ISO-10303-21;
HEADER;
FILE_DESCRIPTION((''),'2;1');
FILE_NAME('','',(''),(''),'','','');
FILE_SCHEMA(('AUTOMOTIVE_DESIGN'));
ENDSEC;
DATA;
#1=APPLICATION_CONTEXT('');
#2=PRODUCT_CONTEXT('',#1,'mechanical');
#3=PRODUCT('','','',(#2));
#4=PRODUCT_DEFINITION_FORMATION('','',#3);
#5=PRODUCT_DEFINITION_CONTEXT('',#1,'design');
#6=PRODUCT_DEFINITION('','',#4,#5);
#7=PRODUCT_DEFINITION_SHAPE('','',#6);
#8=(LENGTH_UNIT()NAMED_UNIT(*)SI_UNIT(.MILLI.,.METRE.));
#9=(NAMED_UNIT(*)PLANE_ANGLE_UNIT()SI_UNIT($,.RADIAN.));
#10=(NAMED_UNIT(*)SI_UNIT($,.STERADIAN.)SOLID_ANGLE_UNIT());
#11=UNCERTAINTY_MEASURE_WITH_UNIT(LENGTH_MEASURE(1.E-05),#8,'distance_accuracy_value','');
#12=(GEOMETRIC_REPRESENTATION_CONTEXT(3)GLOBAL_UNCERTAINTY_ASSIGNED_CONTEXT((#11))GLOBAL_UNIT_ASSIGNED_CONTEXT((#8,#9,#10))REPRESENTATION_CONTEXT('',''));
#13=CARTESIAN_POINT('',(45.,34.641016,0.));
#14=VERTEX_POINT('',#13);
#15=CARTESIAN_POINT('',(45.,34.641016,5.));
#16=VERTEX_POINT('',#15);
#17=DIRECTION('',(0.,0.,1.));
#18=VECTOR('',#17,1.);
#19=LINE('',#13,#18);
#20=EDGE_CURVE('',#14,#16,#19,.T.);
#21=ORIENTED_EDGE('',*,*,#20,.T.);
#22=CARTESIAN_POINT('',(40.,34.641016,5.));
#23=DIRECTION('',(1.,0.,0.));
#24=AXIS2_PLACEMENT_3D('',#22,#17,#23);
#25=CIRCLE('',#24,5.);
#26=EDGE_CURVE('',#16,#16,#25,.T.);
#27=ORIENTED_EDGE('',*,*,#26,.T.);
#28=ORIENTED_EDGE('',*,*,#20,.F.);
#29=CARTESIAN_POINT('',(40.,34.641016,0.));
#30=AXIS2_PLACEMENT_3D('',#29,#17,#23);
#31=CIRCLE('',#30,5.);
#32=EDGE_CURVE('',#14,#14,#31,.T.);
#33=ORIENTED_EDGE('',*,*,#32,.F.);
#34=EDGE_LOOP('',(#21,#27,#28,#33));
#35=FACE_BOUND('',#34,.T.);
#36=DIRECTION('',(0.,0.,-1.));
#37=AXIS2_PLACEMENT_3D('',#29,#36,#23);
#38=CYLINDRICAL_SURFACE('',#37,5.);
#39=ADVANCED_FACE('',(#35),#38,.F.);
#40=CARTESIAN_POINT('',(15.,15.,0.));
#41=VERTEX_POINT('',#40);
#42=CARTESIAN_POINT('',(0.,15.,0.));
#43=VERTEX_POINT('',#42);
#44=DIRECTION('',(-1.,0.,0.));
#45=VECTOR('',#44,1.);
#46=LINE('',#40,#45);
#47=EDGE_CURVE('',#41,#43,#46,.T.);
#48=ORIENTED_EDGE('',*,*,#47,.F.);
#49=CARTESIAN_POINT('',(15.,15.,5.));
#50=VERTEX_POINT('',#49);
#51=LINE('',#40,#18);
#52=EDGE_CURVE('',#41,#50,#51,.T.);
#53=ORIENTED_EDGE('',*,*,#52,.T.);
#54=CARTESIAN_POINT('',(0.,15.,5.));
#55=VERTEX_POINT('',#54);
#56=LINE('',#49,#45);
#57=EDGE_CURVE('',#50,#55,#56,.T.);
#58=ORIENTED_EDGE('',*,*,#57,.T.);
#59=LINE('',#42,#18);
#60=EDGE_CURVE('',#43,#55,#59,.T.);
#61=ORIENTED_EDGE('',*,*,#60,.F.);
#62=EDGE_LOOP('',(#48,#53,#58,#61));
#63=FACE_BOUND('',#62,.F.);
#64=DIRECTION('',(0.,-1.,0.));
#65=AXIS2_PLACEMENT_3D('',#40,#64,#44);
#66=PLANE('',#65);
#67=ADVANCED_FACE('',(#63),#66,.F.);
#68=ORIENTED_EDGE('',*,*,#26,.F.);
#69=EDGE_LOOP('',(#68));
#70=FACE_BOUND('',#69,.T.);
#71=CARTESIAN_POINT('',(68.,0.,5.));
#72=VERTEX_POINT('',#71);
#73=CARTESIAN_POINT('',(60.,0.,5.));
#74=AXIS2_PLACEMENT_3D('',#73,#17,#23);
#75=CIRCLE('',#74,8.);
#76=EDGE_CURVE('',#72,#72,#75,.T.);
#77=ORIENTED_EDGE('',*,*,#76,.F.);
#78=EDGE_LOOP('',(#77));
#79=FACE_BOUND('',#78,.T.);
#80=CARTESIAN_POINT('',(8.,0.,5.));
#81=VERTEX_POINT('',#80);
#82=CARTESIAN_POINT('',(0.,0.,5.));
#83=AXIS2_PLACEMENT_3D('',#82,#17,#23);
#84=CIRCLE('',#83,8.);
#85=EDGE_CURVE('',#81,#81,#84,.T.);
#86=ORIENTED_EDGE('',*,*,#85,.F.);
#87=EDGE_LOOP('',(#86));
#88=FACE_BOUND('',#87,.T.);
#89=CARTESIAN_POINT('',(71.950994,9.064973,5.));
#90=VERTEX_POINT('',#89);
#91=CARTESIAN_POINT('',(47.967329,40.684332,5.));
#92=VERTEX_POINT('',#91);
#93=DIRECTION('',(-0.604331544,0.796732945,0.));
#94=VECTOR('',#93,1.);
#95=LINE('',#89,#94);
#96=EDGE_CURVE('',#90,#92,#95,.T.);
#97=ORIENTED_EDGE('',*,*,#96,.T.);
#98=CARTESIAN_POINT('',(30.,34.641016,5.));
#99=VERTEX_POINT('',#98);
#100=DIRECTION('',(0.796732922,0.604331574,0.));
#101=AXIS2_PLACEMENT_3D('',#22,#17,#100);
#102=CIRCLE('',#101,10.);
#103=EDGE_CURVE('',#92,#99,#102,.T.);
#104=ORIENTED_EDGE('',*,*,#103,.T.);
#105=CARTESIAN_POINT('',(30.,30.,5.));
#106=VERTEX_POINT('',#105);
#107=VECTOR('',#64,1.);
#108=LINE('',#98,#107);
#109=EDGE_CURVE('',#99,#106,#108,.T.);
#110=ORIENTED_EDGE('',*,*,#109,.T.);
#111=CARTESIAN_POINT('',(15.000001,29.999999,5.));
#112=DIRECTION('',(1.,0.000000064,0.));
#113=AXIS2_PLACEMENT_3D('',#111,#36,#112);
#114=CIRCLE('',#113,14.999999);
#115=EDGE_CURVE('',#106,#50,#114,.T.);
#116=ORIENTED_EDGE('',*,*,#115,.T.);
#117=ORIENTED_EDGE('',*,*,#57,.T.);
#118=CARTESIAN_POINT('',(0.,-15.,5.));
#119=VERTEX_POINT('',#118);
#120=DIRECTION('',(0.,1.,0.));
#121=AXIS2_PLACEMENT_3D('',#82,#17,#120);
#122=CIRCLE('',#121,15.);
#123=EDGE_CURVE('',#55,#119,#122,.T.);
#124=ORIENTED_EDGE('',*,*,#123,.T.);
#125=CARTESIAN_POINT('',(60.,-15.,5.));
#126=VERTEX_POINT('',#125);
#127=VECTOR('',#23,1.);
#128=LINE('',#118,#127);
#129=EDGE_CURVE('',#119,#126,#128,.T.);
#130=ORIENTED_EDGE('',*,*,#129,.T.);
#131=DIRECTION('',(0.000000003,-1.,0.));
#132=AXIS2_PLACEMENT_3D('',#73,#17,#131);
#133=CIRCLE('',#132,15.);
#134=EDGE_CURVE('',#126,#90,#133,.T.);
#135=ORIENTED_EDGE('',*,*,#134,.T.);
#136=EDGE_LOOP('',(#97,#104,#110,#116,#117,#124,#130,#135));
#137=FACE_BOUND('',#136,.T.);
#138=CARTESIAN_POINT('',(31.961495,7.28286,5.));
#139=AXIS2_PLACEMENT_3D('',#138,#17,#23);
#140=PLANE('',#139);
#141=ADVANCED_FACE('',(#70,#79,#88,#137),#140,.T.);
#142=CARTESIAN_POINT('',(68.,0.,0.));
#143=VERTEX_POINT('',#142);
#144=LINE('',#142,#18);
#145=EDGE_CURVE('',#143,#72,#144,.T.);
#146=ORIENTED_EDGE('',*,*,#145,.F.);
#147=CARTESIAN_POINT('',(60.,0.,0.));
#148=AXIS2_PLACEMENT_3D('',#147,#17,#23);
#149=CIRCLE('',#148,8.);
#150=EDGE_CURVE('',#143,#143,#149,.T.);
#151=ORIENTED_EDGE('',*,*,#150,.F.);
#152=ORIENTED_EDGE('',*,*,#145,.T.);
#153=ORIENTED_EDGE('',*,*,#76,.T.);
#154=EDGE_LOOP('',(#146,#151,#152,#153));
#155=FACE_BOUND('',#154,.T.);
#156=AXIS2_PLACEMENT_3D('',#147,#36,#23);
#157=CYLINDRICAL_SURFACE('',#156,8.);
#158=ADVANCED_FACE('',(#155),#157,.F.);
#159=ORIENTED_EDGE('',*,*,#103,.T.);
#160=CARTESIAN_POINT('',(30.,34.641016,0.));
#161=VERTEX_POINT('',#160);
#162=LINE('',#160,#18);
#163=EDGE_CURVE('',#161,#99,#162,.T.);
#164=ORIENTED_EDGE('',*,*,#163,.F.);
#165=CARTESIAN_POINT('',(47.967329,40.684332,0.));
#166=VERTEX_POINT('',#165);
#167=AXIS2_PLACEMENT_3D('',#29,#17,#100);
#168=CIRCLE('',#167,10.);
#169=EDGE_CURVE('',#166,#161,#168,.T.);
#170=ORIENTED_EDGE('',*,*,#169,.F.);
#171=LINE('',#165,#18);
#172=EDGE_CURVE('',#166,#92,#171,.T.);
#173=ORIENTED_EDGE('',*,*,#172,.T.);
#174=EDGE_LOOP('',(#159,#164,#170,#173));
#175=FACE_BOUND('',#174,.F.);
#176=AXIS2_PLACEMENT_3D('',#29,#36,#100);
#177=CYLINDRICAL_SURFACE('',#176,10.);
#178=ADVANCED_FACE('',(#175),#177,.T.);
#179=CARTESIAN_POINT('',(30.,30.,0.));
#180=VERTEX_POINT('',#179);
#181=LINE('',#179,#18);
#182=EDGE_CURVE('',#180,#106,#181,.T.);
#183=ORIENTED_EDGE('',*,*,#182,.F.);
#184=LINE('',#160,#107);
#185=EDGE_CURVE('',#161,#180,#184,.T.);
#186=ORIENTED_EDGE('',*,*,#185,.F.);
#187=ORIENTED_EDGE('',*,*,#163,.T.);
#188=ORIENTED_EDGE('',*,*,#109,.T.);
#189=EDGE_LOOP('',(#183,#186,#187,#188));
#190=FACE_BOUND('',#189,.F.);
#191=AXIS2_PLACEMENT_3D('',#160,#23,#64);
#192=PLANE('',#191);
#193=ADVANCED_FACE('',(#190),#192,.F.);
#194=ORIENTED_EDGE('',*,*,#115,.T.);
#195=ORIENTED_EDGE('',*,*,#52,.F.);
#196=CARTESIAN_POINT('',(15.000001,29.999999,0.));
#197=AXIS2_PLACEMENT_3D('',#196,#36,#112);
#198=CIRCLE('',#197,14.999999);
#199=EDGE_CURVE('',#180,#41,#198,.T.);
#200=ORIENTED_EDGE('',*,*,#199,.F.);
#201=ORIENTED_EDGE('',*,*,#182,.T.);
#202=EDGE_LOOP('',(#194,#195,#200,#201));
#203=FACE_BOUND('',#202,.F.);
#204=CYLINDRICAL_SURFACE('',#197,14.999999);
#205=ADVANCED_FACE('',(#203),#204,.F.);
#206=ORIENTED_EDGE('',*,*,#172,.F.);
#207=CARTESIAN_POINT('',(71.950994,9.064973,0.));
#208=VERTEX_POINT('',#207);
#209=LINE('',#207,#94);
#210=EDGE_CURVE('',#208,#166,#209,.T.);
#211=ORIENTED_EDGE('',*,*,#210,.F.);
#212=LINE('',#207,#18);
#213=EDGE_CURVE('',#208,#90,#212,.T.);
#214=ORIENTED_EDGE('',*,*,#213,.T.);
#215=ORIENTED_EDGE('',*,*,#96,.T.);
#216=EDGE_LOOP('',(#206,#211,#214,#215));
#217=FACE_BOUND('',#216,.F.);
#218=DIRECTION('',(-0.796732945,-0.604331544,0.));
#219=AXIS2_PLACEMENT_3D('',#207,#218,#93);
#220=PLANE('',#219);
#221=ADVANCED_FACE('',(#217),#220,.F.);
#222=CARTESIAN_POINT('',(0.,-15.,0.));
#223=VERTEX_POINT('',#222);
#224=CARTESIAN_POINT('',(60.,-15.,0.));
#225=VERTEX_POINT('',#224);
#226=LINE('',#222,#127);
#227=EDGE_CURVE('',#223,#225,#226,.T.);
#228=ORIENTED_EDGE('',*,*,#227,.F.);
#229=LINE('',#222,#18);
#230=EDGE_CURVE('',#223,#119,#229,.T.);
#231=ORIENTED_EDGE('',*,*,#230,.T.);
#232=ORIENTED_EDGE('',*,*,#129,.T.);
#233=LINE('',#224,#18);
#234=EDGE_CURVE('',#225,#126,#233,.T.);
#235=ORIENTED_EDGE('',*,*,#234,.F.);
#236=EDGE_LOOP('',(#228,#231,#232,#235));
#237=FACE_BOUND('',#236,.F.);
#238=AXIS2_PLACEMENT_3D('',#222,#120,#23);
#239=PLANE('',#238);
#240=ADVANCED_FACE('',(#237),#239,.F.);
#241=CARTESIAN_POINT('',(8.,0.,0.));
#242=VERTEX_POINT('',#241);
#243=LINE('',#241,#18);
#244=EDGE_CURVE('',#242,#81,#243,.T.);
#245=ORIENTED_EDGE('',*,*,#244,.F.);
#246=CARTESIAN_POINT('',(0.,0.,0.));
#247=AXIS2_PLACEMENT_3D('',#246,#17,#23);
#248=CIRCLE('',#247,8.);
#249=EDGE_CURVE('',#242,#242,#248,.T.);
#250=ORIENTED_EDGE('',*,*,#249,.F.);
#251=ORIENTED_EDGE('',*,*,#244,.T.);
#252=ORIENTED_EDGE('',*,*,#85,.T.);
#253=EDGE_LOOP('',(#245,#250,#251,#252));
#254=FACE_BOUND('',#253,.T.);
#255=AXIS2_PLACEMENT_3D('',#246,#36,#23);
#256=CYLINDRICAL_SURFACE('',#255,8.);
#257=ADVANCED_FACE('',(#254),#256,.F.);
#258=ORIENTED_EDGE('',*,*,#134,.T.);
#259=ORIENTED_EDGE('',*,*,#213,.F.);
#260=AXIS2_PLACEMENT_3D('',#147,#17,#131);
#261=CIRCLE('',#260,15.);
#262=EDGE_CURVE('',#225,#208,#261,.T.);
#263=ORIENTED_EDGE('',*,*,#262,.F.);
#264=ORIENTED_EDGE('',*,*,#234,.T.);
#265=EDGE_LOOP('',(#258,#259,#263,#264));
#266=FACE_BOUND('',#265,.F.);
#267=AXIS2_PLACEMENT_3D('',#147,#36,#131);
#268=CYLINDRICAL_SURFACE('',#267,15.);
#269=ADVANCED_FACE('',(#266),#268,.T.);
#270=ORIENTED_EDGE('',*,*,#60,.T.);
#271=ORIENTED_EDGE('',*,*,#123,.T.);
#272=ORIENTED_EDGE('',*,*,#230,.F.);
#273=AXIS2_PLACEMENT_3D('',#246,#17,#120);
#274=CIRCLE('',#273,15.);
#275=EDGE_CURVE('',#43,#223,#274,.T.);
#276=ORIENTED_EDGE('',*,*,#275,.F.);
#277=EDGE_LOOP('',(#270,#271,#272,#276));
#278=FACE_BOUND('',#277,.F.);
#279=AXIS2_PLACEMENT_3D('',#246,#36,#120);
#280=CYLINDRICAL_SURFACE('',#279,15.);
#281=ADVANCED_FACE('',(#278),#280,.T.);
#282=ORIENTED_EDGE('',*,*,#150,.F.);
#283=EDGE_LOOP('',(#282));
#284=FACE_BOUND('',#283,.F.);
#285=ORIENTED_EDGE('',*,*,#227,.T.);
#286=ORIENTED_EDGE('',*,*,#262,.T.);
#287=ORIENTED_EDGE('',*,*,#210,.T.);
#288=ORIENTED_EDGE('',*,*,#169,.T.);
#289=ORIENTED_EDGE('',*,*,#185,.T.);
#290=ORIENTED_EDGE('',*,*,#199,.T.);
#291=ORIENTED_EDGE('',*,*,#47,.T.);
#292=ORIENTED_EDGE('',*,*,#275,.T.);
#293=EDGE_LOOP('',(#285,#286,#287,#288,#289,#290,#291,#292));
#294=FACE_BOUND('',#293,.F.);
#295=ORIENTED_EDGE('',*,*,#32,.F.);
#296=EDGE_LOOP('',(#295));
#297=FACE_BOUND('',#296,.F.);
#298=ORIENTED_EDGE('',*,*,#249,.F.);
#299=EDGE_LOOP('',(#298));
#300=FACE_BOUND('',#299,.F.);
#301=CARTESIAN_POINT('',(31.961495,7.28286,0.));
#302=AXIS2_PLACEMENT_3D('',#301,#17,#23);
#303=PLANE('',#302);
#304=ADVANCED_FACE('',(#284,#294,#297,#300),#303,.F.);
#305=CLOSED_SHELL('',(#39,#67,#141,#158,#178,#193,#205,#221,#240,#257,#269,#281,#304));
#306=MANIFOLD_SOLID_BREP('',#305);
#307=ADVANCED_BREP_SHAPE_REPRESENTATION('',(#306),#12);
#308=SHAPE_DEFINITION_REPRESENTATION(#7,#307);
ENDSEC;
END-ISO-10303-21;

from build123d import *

# Parameters (mm, degrees)
F0_R     = 8
F0_R_2   = 5
F1_DEPTH = 5


with BuildPart() as f1:
    # F0 (on Top) → F1 (new body)
    with BuildSketch(Plane.XY):
        with BuildLine():
            Line((15, 15), (0, 15))
            ThreePointArc((0, 15), (-15, 0), (0, -15))
            Line((0, -15), (60, -15))
            ThreePointArc((60, -15), (73.434556, -6.671784), (71.950994, 9.064973))
            Line((71.950994, 9.064973), (47.967329, 40.684332))
            ThreePointArc((47.967329, 40.684332), (36.811999, 44.119236), (30, 34.641016))
            Line((30, 34.641016), (30, 30))
            ThreePointArc((30, 30), (25.606602, 19.393398), (15, 15))
        make_face()
        Circle(F0_R, mode=Mode.SUBTRACT)
        with Locations((60, 0)):
            Circle(F0_R, mode=Mode.SUBTRACT)
        with Locations((40, 34.641016)):
            Circle(F0_R_2, mode=Mode.SUBTRACT)
    extrude(amount=F1_DEPTH)


solid = f1.part
